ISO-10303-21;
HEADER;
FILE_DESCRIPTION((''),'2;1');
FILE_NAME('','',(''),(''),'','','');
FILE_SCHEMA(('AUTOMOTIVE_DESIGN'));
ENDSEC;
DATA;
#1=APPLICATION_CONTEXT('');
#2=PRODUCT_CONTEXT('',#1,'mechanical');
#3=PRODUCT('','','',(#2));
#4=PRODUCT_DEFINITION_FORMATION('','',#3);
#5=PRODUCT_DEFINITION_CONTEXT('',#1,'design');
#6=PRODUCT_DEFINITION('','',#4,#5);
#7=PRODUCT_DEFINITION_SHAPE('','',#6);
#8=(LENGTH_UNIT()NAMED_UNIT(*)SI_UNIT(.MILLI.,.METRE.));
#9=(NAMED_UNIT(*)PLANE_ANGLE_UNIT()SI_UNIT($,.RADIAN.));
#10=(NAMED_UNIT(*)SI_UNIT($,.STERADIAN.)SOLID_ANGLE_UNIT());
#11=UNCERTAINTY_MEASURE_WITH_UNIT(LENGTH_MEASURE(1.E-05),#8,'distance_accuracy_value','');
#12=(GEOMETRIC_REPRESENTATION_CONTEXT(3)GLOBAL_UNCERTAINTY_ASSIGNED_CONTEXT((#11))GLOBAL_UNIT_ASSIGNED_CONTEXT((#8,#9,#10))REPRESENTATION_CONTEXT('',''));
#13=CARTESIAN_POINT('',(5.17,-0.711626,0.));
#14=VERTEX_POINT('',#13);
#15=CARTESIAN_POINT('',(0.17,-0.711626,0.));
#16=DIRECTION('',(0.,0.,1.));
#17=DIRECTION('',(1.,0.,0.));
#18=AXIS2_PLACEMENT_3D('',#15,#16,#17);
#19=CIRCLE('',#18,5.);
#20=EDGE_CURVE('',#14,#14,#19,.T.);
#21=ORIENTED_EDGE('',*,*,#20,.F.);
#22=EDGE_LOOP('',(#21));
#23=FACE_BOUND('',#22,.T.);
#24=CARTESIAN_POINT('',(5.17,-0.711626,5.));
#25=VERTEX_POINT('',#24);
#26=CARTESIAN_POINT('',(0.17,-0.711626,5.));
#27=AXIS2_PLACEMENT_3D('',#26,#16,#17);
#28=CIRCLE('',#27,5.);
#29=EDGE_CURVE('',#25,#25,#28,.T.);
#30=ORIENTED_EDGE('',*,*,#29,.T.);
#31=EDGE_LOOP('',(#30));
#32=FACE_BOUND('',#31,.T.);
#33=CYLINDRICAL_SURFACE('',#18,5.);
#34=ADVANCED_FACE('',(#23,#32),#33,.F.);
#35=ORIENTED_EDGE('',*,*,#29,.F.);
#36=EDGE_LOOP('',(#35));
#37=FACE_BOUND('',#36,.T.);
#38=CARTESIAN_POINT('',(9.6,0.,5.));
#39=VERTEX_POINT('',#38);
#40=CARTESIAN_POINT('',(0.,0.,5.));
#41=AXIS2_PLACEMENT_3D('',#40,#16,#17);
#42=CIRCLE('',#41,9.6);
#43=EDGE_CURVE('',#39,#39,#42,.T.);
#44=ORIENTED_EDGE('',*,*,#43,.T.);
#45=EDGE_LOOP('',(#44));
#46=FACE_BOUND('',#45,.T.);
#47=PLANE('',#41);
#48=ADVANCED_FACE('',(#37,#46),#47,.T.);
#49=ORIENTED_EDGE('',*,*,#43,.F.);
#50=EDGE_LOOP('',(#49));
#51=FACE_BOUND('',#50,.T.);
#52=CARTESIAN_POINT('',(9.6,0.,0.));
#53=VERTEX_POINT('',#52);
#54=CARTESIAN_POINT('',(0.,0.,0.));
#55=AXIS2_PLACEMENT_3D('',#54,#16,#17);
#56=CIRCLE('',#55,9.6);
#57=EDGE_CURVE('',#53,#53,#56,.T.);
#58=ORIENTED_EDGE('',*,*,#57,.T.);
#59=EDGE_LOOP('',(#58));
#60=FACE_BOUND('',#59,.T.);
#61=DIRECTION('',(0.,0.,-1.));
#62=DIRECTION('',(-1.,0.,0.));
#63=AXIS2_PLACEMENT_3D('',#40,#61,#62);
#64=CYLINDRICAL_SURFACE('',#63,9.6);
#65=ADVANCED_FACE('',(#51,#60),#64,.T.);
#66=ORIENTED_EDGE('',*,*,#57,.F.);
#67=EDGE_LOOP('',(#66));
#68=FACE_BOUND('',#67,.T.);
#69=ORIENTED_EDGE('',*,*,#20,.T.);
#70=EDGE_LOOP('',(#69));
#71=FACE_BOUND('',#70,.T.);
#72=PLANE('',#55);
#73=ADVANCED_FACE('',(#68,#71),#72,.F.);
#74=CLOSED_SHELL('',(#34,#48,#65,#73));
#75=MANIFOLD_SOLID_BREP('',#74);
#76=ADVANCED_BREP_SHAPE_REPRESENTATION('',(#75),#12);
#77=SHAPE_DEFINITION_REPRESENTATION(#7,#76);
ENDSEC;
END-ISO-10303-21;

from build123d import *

# Parameters (mm, degrees)
SKETCH1_R           = 9.6
BOSS_EXTRUDE1_DEPTH = 5
SKETCH2_R           = 5
CUT_EXTRUDE1_DEPTH  = 5


with BuildPart() as part:
    # Sketch1 → Boss-Extrude1 (new body)
    with BuildSketch(Plane.XY):
        Circle(SKETCH1_R)
    extrude(amount=BOSS_EXTRUDE1_DEPTH)

    # Sketch2 → Cut-Extrude1 (cut)
    with BuildSketch(Plane.XY.offset(5)):
        with Locations((0.17, -0.71162557)):
            Circle(SKETCH2_R)
    extrude(amount=-CUT_EXTRUDE1_DEPTH, mode=Mode.SUBTRACT)


solid = part.part
